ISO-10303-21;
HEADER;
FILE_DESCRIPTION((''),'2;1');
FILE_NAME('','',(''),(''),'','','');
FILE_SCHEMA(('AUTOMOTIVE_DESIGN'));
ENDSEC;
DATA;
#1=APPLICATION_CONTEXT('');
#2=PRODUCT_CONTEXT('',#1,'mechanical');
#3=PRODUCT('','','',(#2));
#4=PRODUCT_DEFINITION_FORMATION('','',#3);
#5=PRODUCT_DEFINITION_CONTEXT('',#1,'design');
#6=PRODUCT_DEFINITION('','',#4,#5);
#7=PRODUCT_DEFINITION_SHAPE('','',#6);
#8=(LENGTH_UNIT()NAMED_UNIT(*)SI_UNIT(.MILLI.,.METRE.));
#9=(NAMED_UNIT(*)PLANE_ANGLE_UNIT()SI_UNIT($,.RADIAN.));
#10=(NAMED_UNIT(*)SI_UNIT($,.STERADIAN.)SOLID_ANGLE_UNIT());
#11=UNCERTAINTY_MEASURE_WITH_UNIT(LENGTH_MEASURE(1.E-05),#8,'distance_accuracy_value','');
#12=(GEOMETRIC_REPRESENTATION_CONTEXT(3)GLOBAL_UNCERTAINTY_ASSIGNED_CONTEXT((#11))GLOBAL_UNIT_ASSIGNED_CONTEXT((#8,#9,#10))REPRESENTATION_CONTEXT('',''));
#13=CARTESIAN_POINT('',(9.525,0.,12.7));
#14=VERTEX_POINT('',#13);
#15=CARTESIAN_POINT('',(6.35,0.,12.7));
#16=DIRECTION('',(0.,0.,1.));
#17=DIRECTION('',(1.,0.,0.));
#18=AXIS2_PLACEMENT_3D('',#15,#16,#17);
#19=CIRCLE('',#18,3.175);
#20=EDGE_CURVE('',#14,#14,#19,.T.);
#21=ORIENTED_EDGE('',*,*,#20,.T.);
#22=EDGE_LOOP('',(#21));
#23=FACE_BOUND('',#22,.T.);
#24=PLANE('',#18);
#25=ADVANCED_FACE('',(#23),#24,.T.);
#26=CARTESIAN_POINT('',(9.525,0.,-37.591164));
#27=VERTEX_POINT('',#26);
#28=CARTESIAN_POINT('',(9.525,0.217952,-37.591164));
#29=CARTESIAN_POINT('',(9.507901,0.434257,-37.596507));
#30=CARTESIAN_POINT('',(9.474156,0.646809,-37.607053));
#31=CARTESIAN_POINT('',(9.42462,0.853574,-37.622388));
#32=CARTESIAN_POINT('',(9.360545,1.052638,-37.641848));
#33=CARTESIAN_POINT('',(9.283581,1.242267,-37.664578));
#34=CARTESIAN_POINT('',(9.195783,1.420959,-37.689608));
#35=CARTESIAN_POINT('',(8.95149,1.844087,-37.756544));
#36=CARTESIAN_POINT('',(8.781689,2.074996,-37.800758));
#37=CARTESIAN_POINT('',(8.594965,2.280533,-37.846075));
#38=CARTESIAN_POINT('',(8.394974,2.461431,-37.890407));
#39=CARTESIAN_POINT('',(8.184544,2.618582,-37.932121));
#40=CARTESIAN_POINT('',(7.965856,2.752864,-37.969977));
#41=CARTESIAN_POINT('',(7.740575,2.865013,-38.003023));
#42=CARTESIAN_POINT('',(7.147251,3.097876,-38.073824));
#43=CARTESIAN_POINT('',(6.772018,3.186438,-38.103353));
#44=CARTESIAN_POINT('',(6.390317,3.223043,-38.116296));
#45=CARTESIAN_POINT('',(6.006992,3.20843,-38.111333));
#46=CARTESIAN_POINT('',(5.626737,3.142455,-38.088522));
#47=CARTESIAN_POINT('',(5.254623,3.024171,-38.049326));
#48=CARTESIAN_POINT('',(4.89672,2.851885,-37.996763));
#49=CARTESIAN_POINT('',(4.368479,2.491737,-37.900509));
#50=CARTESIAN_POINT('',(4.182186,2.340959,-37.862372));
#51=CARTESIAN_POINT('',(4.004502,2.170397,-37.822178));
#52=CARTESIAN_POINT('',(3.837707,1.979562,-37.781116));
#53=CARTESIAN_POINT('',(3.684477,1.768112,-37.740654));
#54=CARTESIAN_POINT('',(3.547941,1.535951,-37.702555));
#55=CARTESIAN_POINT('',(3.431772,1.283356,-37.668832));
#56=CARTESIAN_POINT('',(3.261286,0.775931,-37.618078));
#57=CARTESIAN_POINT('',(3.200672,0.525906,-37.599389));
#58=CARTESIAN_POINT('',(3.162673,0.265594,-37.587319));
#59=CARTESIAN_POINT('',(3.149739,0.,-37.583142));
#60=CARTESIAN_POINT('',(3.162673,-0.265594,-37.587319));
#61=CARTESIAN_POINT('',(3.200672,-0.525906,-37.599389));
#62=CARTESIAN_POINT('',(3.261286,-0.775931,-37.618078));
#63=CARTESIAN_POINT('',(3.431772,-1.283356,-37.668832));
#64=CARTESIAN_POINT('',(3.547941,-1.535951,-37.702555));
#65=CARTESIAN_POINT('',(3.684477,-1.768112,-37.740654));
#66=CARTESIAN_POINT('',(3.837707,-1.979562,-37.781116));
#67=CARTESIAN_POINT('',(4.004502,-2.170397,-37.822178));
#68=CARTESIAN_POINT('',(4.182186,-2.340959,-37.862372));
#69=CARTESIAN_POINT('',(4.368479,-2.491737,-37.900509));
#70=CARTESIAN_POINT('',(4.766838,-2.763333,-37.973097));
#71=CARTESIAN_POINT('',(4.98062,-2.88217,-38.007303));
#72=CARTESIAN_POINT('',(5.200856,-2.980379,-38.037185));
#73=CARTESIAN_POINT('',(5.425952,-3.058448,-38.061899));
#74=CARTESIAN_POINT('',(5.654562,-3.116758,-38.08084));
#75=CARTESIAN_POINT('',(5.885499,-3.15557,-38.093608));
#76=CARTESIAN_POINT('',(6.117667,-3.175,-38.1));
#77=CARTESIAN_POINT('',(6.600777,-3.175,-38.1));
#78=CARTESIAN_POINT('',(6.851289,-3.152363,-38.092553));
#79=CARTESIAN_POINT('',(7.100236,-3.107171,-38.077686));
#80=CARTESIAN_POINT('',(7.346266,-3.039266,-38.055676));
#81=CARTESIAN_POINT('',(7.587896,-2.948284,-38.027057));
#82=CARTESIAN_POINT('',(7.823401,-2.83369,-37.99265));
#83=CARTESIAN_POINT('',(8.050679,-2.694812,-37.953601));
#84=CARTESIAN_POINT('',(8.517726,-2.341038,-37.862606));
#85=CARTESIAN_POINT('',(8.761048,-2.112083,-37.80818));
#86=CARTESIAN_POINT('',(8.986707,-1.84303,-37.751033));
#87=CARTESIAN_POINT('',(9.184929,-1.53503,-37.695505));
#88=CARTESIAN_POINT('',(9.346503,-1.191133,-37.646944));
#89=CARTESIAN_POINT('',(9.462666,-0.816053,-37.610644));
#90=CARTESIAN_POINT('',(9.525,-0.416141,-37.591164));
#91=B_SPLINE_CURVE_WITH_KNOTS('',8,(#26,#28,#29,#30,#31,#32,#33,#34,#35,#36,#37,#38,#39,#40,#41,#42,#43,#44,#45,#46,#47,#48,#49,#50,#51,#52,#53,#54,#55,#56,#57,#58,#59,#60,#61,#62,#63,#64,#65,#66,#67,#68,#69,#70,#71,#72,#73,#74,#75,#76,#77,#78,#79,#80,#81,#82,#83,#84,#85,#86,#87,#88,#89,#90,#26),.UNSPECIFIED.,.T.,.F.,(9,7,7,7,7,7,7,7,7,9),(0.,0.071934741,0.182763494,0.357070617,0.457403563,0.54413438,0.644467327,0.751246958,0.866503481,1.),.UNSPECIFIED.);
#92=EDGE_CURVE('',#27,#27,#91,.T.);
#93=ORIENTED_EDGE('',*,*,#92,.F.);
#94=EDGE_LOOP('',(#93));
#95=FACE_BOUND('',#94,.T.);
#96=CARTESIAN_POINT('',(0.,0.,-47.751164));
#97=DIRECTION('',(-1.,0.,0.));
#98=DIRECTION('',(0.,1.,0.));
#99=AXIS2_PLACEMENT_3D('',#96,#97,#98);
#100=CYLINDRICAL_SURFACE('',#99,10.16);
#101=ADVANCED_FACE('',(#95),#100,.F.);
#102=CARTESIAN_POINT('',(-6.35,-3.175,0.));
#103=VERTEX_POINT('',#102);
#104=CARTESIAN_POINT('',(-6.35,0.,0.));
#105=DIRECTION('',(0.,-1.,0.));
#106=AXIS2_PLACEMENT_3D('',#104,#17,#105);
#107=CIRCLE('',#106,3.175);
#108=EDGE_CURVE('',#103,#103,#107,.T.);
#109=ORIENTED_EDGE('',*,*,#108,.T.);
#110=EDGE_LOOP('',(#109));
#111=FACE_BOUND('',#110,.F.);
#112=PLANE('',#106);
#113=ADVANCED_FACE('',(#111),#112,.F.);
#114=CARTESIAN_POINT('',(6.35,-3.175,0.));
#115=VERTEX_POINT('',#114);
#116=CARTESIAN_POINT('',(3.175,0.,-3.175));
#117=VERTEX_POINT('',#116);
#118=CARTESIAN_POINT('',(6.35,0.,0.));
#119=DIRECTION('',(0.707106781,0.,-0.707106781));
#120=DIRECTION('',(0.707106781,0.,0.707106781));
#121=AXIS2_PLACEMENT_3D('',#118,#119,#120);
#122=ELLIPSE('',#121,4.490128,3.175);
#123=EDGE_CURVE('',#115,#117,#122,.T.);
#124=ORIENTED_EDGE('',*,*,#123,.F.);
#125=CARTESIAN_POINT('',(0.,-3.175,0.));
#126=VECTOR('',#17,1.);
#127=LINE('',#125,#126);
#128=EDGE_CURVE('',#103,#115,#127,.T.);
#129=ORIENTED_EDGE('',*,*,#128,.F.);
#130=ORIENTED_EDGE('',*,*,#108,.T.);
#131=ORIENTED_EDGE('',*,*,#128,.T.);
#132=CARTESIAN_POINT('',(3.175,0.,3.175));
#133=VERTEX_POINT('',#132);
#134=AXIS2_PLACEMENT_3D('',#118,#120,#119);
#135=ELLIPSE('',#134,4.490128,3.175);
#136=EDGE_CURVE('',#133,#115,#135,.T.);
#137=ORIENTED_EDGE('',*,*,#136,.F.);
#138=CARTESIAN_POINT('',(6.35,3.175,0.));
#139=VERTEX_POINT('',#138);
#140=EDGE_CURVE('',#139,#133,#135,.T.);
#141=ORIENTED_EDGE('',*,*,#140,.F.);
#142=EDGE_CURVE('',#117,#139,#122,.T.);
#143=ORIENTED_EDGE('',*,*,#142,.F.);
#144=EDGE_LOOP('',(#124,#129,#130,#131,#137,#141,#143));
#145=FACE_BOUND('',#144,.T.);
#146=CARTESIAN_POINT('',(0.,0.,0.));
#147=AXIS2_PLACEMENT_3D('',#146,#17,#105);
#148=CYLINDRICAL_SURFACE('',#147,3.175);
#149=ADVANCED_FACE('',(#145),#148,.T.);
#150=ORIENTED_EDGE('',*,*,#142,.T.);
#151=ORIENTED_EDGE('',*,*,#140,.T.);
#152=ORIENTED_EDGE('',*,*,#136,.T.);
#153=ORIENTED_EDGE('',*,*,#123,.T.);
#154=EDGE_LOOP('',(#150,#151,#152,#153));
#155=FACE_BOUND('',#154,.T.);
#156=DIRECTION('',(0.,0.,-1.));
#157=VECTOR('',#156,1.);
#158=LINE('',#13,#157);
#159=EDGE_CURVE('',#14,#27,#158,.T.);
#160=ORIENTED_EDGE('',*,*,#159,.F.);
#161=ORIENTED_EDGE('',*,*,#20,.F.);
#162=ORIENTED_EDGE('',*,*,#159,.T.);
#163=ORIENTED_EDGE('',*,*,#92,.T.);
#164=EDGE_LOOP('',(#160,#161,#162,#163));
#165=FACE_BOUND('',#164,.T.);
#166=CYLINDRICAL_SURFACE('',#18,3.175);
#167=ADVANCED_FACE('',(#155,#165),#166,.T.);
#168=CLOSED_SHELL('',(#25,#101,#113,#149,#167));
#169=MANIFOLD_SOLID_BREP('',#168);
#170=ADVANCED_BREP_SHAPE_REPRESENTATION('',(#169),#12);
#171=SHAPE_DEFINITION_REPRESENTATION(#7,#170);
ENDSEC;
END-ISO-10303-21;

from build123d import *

# Parameters (mm, degrees)
F0_W     = 12.7
F0_H     = 3.175
F2_R     = 3.175
F3_DEPTH = 3.175
F5_R     = 3.175
F6_DEPTH = 50.8
F7_R     = 10.16
F8_DEPTH = 25.4


with BuildPart() as f1:
    # F0 (on Top) → F1 (revolve)
    with BuildSketch(Plane.XY):
        with Locations((0, -1.5875)):
            Rectangle(F0_W, F0_H)
    revolve(axis=Axis((2.249268, 0, 0), (1, 0, 0)))

    # F2 (on Top) → F3 (cut, symmetric)
    with BuildSketch(Plane.XY):
        with Locations((6.35, 0)):
            Circle(F2_R)
    extrude(amount=F3_DEPTH, both=True, mode=Mode.SUBTRACT)

    # F5 (on offset) → F6 (join)
    with BuildSketch(Plane.XY.offset(12.7)):
        with Locations((6.35, 0)):
            Circle(F5_R)
    extrude(amount=-F6_DEPTH)

    # F7 (on Right) → F8 (cut)
    with BuildSketch(Plane.YZ):
        with Locations((0, -47.751164)):
            Circle(F7_R)
    extrude(amount=F8_DEPTH, mode=Mode.SUBTRACT)


solid = f1.part
